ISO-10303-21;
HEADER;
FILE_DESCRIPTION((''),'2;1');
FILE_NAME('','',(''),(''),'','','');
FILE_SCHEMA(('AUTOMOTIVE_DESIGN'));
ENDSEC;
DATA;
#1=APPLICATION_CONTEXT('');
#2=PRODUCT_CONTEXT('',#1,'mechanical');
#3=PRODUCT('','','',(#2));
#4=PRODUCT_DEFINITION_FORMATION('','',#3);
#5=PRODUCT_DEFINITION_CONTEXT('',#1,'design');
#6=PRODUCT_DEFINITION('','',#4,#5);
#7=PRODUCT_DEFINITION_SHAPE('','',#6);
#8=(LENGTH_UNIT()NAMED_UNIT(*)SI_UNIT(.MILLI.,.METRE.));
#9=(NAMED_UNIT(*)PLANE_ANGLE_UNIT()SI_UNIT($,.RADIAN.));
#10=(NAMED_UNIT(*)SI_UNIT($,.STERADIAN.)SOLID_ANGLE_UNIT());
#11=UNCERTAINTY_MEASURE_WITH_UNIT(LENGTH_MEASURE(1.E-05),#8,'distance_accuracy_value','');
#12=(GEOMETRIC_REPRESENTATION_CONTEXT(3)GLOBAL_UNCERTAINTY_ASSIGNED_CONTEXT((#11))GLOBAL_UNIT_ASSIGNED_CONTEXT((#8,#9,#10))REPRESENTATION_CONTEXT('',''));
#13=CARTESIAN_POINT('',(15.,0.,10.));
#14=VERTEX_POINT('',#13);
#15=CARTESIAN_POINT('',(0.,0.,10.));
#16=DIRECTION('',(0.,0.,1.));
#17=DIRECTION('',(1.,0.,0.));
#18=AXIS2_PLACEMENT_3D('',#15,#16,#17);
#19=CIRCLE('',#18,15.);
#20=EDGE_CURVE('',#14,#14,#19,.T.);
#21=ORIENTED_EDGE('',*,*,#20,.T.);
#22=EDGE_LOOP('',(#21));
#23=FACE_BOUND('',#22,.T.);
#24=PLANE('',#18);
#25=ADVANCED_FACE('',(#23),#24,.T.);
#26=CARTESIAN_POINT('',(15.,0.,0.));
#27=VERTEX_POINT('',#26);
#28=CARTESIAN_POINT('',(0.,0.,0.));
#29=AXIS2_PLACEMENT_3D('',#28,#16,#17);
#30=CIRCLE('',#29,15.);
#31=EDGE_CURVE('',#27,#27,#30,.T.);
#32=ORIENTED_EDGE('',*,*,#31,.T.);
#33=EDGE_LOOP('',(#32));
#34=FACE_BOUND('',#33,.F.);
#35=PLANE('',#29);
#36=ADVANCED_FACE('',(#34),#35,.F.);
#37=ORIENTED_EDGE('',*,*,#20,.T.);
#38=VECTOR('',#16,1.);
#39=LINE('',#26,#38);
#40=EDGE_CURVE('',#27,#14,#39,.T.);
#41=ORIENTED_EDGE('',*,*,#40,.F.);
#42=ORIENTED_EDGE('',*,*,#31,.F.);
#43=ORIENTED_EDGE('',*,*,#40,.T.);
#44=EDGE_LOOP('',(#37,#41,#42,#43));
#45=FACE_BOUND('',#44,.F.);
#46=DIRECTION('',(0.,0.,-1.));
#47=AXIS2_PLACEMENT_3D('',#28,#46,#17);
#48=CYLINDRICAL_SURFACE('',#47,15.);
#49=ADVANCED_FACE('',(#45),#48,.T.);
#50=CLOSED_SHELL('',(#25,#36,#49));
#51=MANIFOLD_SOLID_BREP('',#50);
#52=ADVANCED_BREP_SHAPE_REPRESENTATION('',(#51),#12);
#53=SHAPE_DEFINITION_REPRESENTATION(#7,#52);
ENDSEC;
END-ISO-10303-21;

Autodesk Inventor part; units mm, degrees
ref_plane "YZ Plane" through (0, 0, 0) normal (1, 0, 0) x (0, 1, 0)
ref_plane "XZ Plane" through (0, 0, 0) normal (0, 1, 0) x (-1, 0, 0)
ref_plane "XY Plane" through (0, 0, 0) normal (0, 0, 1) x (1, 0, 0)
sketch "Sketch1" plane through (0, 0, 0) normal (0, 0, 1) x (1, 0, 0)
  circle A0 centre (0, 0) radius 44.45
  circle A1 centre (0, 0) radius 41.45
  circle A2 centre (0, 0) radius 600
  circle A3 centre (144.9387, 540.9185) radius 100
  circle A4 centre (-144.9387, 540.9185) radius 100
  circle A5 centre (-395.9798, 395.9798) radius 100
  circle A6 centre (-540.9185, 144.9387) radius 100
  circle A7 centre (-540.9185, -144.9387) radius 100
  circle A8 centre (-395.9798, -395.9798) radius 100
  circle A9 centre (-144.9387, -540.9185) radius 100
  circle A10 centre (144.9387, -540.9185) radius 100
  circle A11 centre (395.9798, -395.9798) radius 100
  circle A12 centre (540.9185, -144.9387) radius 100
  circle A13 centre (230, 398.3717) radius 100
  circle A14 centre (0, 460) radius 100
  circle A15 centre (-230, 398.3717) radius 100
  circle A16 centre (-398.3717, 230) radius 100
  circle A17 centre (-460, 0) radius 100
  circle A18 centre (-398.3717, -230) radius 100
  circle A19 centre (-230, -398.3717) radius 100
  circle A20 centre (0, -460) radius 100
  circle A21 centre (230, -398.3717) radius 100
  circle A22 centre (398.3717, -230) radius 100
  circle A23 centre (-212.132, 212.132) radius 100
  circle A24 centre (-289.7777, 77.6457) radius 100
  circle A25 centre (-289.7777, -77.6457) radius 100
  circle A26 centre (-212.132, -212.132) radius 100
  circle A27 centre (-77.6457, -289.7777) radius 100
  circle A28 centre (77.6457, -289.7777) radius 100
  circle A29 centre (212.132, -212.132) radius 100
  circle A30 centre (289.7777, -77.6457) radius 100
  circle A31 centre (98.9949, 98.9949) radius 100
  circle A32 centre (289.7777, 77.6457) radius 100
  circle A33 centre (212.132, 212.132) radius 100
  circle A34 centre (-98.9949, 98.9949) radius 100
  circle A35 centre (-98.9949, -98.9949) radius 100
  circle A36 centre (98.9949, -98.9949) radius 100
  circle A37 centre (460, 0) radius 100
  circle A38 centre (398.3717, 230) radius 100
  circle A39 centre (77.6457, 289.7777) radius 100
  circle A40 centre (-77.6457, 289.7777) radius 100
  circle A41 centre (540.9185, 144.9387) radius 100
  circle A42 centre (395.9798, 395.9798) radius 100
  line L0 (0, 0) -> (-600, 0) construction
  line L1 (0, 0) -> (-540.9185, 144.9387) construction
  line L2 (-460, 0) -> (0, 0) construction
  line L3 (0, 0) -> (-289.7777, -77.6457) construction
  line L4 (-98.9949, -98.9949) -> (0, 0) construction
  dimension "d2" = 1200
  dimension "d0" = 88.9
  dimension "d1" = 3
  dimension "d5" = 360
  dimension "d9" = 360
  dimension "d11" = 200
  dimension "d14" = 360
  dimension "d18" = 360
  dimension "d20" = 15
  dimension "d21" = 0
  dimension "d22" = 15
  dimension "d23" = 45
  dimension "d24" = 140
  dimension "d25" = 300
  dimension "d26" = 460
  dimension "d27" = 560
sketch "Sketch2" plane through (0, 0, 0) normal (0, 0, 1) x (1, 0, 0)
  point P0 (0, 0)
  point P1 (-98.9949, -98.9949)
  point P2 (98.9949, -98.9949)
  point P3 (98.9949, 98.9949)
  point P4 (-98.9949, 98.9949)
  point P5 (-77.6457, 289.7777)
  point P6 (77.6457, 289.7777)
  point P7 (212.132, 212.132)
  point P8 (289.7777, 77.6457)
  point P9 (289.7777, -77.6457)
  point P10 (212.132, -212.132)
  point P11 (77.6457, -289.7777)
  point P12 (-77.6457, -289.7777)
  point P13 (0, -460)
  point P14 (230, -398.3717)
  point P15 (144.9387, -540.9185)
  point P16 (395.9798, -395.9798)
  point P17 (398.3717, -230)
  point P18 (540.9185, -144.9387)
  point P19 (460, 0)
  point P20 (540.9185, 144.9387)
  point P21 (398.3717, 230)
  point P22 (395.9798, 395.9798)
  point P23 (230, 398.3717)
  point P24 (144.9387, 540.9185)
  point P25 (0, 460)
  point P26 (-144.9387, 540.9185)
  point P27 (-230, 398.3717)
  point P28 (-212.132, 212.132)
  point P29 (-289.7777, 77.6457)
  point P30 (-289.7777, -77.6457)
  point P31 (-212.132, -212.132)
  point P32 (-398.3717, 230)
  point P33 (-395.9798, 395.9798)
  point P34 (-540.9185, 144.9387)
  point P35 (-460, 0)
  point P36 (-540.9185, -144.9387)
  point P37 (-398.3717, -230)
  point P38 (-395.9798, -395.9798)
  point P39 (-230, -398.3717)
  point P40 (-144.9387, -540.9185)
sketch "Sketch3" plane through (0, 0, 0) normal (0, 0, 1) x (1, 0, 0)
  circle A0 centre (0, 0) radius 15
  dimension "d28" = 30
extrude "Extrusion1" add sketch "Sketch3" along normal blind 10
sketch "Sketch4" plane through (0, 0, 0) normal (1, 0, 0) x (0, 1, 0)
  line L0 (606, 2056.7108) -> (600, 2056.7108)
  line L1 (600, 2056.7108) -> (600, 253.2892)
  line L2 (600, 253.2892) -> (606, 253.2892)
  line L3 (606, 253.2892) -> (606, 2056.7108)
  line L4 (0, 253.2892) -> (0, 1462.6576)
  line L5 (606, 253.2892) -> (606, 223.2892)
  arc A0 (552, 134.4973) -> (606, 223.2892) centre (506, 223.2892) ccw
  arc A1 (0, 0) -> (552, 134.4973) centre (0, 1200) ccw
  line L6 (0, 898.5253) -> (0, -391.9469)
  arc A2 (0, 6) -> (549.24, 139.8248) centre (0, 1200) ccw
  arc A3 (549.24, 139.8248) -> (600, 223.2892) centre (506, 223.2892) ccw
  line L7 (600, 223.2892) -> (600, 253.2892)
  line L8 (600, 253.2892) -> (606, 253.2892)
  line L9 (0, 6) -> (0, 0)
  line L10 (600, 2056.7108) -> (600, 2086.7108)
  arc A4 (600, 2086.7108) -> (549.24, 2170.1752) centre (506, 2086.7108) ccw
  arc A5 (549.24, 2170.1752) -> (0, 2304) centre (0, 1110) ccw
  line L11 (0, 2304) -> (0, 2310)
  arc A6 (552, 2175.5027) -> (0, 2310) centre (0, 1110) ccw
  arc A7 (606, 2086.7108) -> (552, 2175.5027) centre (506, 2086.7108) ccw
  line L12 (606, 2086.7108) -> (606, 2056.7108)
  line L13 (0, 2304) -> (0, 6)
  point P0 (0, 0)
  point P1 (600, 253.2892)
  point P2 (603, 253.2892)
  point P3 (0, 253.2892)
  point P4 (0, 253.2892)
  point P5 (0, 3)
  point P6 (0, 0)
  dimension "d31" = 6
  dimension "d32" = 1803.4216
  dimension "d33" = 1200
  dimension "d37" = 100
  dimension "d38" = 30
  dimension "d39" = 1200
  dimension "d40" = 6
  dimension "d41" = 1200
  dimension "d42" = 253.2892
revolve "Revolution1" [suppressed]
equation "\"d32\" = d35 - 2 * d36"
equation "\"d33\" = d34"
equation "\"d39\" = d41"
equation "\"MAIN_filter_diam\" = 1200"
equation "\"MAIN_hight\" = 2310"
equation "\"Accsess_hatch_lenght\" = 120"
equation "\"Accsess_hatch_diameter\" = 530"
equation "\"Charging_hatch_width\" = 400"
equation "\"Charging_hatch_hight\" = 180"
equation "\"Charging_hatch_lenght\" = 120"
equation "\"d35\" = 2310"
equation "\"d36\" = 253.289193"
equation "\"d34\" = 1200"
properties part number "000 DIM PNS-Filter column D1200"
